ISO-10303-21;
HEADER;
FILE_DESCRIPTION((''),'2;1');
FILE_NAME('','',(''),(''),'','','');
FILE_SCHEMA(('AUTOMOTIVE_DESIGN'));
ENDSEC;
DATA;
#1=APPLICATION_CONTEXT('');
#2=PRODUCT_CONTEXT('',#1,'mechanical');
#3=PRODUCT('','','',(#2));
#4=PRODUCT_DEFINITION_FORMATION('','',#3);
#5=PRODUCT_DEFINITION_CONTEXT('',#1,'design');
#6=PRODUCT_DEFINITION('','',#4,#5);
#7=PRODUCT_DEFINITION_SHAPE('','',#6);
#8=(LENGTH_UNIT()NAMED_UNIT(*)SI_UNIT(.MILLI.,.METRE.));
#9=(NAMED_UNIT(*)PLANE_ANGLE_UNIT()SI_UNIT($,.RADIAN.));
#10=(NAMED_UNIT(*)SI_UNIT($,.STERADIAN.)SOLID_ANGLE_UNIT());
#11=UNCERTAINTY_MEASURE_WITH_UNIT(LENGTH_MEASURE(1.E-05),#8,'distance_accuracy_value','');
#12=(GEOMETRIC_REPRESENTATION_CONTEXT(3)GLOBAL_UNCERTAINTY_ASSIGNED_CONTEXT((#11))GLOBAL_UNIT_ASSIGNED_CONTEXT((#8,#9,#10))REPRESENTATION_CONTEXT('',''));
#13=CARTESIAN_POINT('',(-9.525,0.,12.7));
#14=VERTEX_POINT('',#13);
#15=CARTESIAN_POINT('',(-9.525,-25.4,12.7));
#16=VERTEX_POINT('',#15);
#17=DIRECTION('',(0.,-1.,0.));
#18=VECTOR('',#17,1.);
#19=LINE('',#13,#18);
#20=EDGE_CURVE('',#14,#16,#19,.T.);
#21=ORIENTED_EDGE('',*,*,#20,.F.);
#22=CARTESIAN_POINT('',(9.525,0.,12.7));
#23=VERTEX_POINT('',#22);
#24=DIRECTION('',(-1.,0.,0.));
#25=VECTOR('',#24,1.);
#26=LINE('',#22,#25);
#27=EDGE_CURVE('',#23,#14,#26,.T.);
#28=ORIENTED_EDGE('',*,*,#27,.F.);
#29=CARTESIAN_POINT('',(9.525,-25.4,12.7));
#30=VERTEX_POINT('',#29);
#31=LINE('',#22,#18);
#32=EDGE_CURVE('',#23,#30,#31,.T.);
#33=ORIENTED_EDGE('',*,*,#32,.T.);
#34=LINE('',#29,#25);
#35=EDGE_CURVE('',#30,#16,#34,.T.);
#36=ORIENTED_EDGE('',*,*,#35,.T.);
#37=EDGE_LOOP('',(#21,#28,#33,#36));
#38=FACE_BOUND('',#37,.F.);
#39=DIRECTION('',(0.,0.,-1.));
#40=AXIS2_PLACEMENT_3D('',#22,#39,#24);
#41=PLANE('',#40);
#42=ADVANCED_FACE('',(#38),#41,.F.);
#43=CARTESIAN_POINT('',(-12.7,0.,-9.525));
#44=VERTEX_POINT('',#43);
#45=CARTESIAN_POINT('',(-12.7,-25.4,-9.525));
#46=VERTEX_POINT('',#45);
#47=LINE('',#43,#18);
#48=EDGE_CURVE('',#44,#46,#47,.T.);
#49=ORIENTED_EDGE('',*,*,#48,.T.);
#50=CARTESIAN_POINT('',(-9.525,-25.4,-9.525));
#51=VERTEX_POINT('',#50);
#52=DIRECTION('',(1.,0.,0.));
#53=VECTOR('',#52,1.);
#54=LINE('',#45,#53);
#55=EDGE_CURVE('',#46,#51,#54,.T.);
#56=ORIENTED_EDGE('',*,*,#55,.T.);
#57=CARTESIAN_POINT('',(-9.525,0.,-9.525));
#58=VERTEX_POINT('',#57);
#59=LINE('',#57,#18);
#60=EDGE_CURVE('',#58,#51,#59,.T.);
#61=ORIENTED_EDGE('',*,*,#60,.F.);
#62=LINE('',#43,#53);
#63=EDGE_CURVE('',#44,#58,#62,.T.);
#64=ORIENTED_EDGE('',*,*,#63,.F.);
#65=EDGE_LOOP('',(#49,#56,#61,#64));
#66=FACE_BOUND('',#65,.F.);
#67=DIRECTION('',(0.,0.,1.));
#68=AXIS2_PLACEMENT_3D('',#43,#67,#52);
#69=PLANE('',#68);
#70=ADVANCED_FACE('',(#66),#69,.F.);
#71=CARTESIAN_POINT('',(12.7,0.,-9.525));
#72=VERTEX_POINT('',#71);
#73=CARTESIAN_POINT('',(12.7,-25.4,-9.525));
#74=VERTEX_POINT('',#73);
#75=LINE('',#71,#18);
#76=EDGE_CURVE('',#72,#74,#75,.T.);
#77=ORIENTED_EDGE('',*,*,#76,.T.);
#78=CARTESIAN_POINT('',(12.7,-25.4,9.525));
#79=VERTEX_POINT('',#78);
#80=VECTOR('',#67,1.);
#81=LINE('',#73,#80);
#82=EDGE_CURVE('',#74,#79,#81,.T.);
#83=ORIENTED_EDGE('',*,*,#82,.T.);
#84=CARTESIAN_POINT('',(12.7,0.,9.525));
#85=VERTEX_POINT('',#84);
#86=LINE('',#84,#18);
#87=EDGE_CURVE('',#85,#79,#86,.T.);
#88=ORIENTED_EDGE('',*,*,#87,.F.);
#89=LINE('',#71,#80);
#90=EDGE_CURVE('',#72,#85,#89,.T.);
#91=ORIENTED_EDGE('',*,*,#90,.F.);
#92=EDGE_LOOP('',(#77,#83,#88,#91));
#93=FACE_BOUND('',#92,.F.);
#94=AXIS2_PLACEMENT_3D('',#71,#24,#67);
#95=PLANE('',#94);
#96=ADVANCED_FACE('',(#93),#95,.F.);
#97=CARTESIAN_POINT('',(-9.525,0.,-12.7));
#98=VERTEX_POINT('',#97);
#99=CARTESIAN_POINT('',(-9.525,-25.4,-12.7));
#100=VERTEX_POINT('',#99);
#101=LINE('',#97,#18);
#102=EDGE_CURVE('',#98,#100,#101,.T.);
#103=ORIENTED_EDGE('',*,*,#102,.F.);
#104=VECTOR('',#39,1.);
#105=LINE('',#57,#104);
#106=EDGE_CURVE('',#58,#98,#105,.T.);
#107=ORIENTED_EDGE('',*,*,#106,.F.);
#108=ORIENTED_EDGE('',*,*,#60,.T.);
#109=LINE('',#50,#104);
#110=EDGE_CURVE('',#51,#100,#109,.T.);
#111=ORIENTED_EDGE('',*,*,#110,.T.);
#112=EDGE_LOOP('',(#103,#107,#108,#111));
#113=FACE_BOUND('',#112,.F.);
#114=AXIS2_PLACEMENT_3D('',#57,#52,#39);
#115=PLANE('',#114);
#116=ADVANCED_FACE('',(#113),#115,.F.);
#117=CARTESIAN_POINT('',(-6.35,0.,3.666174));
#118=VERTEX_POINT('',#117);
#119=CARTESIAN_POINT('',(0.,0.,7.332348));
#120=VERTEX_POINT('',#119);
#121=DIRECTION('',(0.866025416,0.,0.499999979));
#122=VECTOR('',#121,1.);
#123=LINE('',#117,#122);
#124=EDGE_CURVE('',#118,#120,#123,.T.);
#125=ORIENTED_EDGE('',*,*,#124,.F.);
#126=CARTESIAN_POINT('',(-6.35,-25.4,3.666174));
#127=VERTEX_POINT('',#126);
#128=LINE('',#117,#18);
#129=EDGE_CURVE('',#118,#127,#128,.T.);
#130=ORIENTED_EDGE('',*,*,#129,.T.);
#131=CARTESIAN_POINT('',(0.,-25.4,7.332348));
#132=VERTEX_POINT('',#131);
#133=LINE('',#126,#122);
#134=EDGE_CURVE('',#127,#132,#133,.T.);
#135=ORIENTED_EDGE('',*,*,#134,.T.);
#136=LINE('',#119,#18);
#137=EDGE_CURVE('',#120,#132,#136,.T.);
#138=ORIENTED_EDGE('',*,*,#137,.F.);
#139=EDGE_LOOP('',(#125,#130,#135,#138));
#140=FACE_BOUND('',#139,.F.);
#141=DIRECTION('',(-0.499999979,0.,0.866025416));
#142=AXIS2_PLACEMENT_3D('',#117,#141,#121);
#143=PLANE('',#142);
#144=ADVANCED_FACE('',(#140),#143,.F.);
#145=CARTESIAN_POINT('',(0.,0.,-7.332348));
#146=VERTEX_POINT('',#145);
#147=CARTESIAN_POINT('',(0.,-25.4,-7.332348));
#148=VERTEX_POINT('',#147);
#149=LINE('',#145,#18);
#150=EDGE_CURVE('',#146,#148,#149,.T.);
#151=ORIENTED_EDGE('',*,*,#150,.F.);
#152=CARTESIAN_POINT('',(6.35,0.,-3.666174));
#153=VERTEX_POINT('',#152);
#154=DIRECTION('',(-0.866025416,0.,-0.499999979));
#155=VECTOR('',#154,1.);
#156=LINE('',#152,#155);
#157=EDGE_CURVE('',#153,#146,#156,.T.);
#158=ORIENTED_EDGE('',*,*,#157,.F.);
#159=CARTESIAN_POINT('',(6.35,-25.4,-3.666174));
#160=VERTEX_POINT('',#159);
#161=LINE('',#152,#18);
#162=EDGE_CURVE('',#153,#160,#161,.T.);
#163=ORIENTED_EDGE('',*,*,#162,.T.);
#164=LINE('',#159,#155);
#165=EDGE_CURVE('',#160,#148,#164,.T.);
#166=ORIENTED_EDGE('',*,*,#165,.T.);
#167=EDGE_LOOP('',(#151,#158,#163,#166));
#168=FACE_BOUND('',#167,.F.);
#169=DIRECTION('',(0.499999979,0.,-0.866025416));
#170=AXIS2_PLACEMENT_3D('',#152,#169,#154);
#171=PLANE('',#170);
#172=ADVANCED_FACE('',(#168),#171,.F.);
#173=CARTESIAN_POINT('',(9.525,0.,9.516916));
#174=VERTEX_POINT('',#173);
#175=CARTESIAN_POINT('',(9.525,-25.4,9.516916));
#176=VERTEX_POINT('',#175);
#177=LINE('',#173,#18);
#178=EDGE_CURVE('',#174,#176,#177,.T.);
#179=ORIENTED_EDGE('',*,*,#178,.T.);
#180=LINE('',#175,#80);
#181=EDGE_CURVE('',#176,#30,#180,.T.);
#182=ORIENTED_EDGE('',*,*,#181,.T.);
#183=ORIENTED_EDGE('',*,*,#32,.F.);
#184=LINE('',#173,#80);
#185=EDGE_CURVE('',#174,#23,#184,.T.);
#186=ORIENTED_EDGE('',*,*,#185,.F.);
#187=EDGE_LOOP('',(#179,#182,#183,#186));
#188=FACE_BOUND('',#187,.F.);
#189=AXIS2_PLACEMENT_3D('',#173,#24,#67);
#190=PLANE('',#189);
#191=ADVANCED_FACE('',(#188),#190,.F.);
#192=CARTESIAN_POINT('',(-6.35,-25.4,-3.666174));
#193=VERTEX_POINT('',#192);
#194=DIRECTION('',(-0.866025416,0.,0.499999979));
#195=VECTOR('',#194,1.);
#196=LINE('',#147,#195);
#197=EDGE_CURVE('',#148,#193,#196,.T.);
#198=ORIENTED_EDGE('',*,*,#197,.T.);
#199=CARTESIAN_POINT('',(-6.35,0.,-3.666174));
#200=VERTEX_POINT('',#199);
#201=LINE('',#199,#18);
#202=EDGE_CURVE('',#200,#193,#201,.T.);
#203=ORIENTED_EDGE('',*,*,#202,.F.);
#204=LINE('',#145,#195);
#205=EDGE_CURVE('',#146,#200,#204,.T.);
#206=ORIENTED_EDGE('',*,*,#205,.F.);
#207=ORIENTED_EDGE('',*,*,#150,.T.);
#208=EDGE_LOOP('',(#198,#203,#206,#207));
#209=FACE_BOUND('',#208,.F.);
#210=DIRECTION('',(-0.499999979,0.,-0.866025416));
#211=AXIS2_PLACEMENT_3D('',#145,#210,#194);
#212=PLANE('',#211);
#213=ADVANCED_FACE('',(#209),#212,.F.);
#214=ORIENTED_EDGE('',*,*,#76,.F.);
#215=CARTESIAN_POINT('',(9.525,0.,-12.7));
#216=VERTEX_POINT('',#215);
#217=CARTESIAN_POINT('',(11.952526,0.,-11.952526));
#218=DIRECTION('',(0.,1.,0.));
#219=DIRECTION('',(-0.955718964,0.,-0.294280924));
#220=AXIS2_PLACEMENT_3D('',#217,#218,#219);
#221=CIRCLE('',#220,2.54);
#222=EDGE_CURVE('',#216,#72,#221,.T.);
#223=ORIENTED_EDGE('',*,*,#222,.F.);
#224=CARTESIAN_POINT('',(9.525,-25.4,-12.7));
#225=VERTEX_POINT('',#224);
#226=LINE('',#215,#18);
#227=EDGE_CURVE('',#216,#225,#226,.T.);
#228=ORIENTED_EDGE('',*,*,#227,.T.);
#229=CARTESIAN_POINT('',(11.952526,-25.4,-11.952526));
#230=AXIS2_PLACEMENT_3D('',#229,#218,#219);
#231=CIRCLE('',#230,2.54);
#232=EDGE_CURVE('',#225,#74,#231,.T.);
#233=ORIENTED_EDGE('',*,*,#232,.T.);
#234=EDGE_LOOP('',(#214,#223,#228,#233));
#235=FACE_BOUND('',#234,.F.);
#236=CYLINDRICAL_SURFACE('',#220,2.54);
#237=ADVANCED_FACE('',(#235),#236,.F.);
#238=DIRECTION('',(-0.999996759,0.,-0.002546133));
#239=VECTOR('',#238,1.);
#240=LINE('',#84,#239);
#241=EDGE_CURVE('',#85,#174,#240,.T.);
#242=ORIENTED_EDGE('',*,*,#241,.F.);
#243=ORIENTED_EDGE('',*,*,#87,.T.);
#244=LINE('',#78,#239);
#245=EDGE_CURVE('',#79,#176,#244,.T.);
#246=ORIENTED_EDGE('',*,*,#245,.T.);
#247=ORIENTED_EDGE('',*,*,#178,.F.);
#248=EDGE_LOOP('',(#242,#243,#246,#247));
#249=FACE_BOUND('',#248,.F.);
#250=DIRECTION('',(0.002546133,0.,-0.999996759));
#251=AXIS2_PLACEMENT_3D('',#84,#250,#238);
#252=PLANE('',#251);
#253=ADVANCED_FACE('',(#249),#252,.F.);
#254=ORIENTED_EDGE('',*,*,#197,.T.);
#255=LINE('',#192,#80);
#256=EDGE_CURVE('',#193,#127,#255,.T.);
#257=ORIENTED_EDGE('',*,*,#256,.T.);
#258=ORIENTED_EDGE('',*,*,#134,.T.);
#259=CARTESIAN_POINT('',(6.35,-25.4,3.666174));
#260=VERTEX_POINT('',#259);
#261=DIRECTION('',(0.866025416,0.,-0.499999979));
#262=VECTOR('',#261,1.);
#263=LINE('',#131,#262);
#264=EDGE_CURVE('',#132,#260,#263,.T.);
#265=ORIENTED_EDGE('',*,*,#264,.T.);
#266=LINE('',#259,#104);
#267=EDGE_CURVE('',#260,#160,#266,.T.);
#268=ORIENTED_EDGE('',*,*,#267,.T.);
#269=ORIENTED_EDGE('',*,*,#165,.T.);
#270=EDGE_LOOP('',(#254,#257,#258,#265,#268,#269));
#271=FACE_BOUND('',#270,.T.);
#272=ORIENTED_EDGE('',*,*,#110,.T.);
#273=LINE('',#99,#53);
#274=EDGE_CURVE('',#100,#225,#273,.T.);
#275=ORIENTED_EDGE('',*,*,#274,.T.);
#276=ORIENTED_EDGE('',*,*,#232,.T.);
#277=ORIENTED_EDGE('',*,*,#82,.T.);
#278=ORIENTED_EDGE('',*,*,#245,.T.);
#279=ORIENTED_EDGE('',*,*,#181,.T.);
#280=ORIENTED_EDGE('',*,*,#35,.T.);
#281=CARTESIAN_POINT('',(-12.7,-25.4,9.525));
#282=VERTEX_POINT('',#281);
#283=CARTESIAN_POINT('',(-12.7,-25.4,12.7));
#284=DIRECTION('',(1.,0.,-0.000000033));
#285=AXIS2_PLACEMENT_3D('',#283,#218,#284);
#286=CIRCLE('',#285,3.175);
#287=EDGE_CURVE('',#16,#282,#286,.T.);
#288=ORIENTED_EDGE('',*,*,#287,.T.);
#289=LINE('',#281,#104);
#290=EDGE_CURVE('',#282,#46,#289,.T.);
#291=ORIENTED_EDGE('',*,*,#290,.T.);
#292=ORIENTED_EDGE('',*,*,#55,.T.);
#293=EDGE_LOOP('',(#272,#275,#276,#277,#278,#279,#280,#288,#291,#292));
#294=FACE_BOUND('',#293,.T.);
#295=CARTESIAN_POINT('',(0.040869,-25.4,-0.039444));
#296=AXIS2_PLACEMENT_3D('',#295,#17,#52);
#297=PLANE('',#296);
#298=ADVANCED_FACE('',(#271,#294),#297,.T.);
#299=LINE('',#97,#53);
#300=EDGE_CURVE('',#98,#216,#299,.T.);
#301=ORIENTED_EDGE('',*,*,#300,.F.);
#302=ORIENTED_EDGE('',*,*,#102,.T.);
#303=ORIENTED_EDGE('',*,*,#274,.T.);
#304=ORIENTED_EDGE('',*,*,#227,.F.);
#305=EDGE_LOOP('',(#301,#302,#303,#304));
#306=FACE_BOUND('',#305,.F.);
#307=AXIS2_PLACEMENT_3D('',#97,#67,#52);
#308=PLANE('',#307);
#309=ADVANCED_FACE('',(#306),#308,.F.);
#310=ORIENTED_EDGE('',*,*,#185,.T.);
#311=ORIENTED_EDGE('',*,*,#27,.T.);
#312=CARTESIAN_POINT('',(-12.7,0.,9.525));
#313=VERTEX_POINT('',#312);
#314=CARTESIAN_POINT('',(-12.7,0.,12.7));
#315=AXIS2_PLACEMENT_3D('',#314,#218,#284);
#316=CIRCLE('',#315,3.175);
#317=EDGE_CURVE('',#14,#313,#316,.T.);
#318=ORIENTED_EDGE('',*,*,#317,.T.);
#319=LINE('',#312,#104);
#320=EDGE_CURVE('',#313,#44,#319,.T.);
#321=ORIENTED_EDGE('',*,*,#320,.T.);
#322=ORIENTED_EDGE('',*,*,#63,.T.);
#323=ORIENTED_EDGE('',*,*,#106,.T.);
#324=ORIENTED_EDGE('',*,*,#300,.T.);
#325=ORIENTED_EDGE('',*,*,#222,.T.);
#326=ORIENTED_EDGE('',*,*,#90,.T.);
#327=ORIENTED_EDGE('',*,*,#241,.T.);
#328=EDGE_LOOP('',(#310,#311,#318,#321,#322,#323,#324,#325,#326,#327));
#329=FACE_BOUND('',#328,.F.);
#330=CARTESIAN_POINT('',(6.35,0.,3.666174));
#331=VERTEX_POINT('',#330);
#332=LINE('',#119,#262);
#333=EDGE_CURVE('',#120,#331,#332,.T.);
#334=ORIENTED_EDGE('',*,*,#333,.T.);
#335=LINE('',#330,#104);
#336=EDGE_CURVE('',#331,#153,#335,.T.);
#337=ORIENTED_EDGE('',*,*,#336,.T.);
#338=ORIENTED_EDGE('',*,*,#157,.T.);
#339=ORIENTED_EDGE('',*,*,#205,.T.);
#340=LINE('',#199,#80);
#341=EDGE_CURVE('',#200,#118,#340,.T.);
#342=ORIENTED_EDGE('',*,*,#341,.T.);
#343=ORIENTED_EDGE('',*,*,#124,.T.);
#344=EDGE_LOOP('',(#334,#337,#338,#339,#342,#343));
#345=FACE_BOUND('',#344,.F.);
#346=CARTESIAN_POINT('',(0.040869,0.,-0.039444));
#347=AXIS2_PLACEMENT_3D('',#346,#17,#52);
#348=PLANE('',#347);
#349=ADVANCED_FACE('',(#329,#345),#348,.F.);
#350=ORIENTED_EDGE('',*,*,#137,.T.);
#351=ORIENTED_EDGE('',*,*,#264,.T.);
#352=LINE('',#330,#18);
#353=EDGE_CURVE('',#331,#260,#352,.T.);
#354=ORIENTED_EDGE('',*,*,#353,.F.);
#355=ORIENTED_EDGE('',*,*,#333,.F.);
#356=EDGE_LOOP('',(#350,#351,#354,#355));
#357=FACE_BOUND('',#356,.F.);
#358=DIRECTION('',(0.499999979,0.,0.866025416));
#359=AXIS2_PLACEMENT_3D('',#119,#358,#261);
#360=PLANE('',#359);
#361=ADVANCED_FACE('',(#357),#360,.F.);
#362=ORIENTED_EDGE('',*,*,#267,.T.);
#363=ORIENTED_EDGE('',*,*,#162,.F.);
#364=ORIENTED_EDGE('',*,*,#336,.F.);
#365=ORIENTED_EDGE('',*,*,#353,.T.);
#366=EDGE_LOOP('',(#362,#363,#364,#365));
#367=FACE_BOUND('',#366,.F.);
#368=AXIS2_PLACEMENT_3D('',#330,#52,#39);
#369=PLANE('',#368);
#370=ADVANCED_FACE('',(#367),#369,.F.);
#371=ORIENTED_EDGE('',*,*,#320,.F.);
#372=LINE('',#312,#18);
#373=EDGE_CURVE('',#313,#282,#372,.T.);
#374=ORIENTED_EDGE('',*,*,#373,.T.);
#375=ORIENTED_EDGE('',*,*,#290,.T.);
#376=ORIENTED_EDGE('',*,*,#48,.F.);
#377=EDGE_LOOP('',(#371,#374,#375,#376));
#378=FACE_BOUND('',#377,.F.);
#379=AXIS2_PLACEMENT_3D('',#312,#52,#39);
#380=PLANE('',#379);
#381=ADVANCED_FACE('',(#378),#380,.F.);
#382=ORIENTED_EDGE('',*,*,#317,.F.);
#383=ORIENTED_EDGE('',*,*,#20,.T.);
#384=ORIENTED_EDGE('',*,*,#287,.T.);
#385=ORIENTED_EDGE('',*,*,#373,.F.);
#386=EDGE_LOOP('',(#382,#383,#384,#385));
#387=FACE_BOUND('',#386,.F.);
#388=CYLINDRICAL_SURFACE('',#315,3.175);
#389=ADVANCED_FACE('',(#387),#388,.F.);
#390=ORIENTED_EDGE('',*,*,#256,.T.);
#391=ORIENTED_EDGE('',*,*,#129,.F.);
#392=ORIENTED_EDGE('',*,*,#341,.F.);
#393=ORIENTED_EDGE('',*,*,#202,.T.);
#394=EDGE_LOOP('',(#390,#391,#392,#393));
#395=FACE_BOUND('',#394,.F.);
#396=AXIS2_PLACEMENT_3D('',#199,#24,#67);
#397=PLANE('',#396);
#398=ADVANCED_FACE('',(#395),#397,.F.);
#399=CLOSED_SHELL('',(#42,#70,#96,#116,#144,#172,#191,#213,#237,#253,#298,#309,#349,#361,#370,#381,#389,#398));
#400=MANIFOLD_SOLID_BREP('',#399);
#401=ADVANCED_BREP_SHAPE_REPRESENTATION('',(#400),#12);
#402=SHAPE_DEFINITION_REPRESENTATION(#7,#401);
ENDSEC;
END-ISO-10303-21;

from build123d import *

# Parameters (mm, degrees)
F1_DEPTH = 25.4


with BuildPart() as f1:
    # F0 (on Front) → F1 (new body)
    with BuildSketch(Plane.XZ):
        with BuildLine():
            Line((-9.525, -12.7), (9.525, -12.7))
            ThreePointArc((9.525, -12.7), (10.156475, -10.156475), (12.7, -9.525))
            Line((12.7, -9.525), (12.7, 9.525))
            Line((12.7, 9.525), (9.525, 9.516916))
            Line((9.525, 9.516916), (9.525, 12.7))
            Line((9.525, 12.7), (-9.525, 12.7))
            ThreePointArc((-9.525, 12.7), (-10.454936, 10.454936), (-12.7, 9.525))
            Line((-12.7, 9.525), (-12.7, -9.525))
            Line((-12.7, -9.525), (-9.525, -9.525))
            Line((-9.525, -9.525), (-9.525, -12.7))
        make_face()
        Polygon((6.35, 3.666174), (6.35, -3.666174), (0, -7.332348), (-6.35, -3.666174), (-6.35, 3.666174), (0, 7.332348), align=None, mode=Mode.SUBTRACT)
    extrude(amount=F1_DEPTH)


solid = f1.part
